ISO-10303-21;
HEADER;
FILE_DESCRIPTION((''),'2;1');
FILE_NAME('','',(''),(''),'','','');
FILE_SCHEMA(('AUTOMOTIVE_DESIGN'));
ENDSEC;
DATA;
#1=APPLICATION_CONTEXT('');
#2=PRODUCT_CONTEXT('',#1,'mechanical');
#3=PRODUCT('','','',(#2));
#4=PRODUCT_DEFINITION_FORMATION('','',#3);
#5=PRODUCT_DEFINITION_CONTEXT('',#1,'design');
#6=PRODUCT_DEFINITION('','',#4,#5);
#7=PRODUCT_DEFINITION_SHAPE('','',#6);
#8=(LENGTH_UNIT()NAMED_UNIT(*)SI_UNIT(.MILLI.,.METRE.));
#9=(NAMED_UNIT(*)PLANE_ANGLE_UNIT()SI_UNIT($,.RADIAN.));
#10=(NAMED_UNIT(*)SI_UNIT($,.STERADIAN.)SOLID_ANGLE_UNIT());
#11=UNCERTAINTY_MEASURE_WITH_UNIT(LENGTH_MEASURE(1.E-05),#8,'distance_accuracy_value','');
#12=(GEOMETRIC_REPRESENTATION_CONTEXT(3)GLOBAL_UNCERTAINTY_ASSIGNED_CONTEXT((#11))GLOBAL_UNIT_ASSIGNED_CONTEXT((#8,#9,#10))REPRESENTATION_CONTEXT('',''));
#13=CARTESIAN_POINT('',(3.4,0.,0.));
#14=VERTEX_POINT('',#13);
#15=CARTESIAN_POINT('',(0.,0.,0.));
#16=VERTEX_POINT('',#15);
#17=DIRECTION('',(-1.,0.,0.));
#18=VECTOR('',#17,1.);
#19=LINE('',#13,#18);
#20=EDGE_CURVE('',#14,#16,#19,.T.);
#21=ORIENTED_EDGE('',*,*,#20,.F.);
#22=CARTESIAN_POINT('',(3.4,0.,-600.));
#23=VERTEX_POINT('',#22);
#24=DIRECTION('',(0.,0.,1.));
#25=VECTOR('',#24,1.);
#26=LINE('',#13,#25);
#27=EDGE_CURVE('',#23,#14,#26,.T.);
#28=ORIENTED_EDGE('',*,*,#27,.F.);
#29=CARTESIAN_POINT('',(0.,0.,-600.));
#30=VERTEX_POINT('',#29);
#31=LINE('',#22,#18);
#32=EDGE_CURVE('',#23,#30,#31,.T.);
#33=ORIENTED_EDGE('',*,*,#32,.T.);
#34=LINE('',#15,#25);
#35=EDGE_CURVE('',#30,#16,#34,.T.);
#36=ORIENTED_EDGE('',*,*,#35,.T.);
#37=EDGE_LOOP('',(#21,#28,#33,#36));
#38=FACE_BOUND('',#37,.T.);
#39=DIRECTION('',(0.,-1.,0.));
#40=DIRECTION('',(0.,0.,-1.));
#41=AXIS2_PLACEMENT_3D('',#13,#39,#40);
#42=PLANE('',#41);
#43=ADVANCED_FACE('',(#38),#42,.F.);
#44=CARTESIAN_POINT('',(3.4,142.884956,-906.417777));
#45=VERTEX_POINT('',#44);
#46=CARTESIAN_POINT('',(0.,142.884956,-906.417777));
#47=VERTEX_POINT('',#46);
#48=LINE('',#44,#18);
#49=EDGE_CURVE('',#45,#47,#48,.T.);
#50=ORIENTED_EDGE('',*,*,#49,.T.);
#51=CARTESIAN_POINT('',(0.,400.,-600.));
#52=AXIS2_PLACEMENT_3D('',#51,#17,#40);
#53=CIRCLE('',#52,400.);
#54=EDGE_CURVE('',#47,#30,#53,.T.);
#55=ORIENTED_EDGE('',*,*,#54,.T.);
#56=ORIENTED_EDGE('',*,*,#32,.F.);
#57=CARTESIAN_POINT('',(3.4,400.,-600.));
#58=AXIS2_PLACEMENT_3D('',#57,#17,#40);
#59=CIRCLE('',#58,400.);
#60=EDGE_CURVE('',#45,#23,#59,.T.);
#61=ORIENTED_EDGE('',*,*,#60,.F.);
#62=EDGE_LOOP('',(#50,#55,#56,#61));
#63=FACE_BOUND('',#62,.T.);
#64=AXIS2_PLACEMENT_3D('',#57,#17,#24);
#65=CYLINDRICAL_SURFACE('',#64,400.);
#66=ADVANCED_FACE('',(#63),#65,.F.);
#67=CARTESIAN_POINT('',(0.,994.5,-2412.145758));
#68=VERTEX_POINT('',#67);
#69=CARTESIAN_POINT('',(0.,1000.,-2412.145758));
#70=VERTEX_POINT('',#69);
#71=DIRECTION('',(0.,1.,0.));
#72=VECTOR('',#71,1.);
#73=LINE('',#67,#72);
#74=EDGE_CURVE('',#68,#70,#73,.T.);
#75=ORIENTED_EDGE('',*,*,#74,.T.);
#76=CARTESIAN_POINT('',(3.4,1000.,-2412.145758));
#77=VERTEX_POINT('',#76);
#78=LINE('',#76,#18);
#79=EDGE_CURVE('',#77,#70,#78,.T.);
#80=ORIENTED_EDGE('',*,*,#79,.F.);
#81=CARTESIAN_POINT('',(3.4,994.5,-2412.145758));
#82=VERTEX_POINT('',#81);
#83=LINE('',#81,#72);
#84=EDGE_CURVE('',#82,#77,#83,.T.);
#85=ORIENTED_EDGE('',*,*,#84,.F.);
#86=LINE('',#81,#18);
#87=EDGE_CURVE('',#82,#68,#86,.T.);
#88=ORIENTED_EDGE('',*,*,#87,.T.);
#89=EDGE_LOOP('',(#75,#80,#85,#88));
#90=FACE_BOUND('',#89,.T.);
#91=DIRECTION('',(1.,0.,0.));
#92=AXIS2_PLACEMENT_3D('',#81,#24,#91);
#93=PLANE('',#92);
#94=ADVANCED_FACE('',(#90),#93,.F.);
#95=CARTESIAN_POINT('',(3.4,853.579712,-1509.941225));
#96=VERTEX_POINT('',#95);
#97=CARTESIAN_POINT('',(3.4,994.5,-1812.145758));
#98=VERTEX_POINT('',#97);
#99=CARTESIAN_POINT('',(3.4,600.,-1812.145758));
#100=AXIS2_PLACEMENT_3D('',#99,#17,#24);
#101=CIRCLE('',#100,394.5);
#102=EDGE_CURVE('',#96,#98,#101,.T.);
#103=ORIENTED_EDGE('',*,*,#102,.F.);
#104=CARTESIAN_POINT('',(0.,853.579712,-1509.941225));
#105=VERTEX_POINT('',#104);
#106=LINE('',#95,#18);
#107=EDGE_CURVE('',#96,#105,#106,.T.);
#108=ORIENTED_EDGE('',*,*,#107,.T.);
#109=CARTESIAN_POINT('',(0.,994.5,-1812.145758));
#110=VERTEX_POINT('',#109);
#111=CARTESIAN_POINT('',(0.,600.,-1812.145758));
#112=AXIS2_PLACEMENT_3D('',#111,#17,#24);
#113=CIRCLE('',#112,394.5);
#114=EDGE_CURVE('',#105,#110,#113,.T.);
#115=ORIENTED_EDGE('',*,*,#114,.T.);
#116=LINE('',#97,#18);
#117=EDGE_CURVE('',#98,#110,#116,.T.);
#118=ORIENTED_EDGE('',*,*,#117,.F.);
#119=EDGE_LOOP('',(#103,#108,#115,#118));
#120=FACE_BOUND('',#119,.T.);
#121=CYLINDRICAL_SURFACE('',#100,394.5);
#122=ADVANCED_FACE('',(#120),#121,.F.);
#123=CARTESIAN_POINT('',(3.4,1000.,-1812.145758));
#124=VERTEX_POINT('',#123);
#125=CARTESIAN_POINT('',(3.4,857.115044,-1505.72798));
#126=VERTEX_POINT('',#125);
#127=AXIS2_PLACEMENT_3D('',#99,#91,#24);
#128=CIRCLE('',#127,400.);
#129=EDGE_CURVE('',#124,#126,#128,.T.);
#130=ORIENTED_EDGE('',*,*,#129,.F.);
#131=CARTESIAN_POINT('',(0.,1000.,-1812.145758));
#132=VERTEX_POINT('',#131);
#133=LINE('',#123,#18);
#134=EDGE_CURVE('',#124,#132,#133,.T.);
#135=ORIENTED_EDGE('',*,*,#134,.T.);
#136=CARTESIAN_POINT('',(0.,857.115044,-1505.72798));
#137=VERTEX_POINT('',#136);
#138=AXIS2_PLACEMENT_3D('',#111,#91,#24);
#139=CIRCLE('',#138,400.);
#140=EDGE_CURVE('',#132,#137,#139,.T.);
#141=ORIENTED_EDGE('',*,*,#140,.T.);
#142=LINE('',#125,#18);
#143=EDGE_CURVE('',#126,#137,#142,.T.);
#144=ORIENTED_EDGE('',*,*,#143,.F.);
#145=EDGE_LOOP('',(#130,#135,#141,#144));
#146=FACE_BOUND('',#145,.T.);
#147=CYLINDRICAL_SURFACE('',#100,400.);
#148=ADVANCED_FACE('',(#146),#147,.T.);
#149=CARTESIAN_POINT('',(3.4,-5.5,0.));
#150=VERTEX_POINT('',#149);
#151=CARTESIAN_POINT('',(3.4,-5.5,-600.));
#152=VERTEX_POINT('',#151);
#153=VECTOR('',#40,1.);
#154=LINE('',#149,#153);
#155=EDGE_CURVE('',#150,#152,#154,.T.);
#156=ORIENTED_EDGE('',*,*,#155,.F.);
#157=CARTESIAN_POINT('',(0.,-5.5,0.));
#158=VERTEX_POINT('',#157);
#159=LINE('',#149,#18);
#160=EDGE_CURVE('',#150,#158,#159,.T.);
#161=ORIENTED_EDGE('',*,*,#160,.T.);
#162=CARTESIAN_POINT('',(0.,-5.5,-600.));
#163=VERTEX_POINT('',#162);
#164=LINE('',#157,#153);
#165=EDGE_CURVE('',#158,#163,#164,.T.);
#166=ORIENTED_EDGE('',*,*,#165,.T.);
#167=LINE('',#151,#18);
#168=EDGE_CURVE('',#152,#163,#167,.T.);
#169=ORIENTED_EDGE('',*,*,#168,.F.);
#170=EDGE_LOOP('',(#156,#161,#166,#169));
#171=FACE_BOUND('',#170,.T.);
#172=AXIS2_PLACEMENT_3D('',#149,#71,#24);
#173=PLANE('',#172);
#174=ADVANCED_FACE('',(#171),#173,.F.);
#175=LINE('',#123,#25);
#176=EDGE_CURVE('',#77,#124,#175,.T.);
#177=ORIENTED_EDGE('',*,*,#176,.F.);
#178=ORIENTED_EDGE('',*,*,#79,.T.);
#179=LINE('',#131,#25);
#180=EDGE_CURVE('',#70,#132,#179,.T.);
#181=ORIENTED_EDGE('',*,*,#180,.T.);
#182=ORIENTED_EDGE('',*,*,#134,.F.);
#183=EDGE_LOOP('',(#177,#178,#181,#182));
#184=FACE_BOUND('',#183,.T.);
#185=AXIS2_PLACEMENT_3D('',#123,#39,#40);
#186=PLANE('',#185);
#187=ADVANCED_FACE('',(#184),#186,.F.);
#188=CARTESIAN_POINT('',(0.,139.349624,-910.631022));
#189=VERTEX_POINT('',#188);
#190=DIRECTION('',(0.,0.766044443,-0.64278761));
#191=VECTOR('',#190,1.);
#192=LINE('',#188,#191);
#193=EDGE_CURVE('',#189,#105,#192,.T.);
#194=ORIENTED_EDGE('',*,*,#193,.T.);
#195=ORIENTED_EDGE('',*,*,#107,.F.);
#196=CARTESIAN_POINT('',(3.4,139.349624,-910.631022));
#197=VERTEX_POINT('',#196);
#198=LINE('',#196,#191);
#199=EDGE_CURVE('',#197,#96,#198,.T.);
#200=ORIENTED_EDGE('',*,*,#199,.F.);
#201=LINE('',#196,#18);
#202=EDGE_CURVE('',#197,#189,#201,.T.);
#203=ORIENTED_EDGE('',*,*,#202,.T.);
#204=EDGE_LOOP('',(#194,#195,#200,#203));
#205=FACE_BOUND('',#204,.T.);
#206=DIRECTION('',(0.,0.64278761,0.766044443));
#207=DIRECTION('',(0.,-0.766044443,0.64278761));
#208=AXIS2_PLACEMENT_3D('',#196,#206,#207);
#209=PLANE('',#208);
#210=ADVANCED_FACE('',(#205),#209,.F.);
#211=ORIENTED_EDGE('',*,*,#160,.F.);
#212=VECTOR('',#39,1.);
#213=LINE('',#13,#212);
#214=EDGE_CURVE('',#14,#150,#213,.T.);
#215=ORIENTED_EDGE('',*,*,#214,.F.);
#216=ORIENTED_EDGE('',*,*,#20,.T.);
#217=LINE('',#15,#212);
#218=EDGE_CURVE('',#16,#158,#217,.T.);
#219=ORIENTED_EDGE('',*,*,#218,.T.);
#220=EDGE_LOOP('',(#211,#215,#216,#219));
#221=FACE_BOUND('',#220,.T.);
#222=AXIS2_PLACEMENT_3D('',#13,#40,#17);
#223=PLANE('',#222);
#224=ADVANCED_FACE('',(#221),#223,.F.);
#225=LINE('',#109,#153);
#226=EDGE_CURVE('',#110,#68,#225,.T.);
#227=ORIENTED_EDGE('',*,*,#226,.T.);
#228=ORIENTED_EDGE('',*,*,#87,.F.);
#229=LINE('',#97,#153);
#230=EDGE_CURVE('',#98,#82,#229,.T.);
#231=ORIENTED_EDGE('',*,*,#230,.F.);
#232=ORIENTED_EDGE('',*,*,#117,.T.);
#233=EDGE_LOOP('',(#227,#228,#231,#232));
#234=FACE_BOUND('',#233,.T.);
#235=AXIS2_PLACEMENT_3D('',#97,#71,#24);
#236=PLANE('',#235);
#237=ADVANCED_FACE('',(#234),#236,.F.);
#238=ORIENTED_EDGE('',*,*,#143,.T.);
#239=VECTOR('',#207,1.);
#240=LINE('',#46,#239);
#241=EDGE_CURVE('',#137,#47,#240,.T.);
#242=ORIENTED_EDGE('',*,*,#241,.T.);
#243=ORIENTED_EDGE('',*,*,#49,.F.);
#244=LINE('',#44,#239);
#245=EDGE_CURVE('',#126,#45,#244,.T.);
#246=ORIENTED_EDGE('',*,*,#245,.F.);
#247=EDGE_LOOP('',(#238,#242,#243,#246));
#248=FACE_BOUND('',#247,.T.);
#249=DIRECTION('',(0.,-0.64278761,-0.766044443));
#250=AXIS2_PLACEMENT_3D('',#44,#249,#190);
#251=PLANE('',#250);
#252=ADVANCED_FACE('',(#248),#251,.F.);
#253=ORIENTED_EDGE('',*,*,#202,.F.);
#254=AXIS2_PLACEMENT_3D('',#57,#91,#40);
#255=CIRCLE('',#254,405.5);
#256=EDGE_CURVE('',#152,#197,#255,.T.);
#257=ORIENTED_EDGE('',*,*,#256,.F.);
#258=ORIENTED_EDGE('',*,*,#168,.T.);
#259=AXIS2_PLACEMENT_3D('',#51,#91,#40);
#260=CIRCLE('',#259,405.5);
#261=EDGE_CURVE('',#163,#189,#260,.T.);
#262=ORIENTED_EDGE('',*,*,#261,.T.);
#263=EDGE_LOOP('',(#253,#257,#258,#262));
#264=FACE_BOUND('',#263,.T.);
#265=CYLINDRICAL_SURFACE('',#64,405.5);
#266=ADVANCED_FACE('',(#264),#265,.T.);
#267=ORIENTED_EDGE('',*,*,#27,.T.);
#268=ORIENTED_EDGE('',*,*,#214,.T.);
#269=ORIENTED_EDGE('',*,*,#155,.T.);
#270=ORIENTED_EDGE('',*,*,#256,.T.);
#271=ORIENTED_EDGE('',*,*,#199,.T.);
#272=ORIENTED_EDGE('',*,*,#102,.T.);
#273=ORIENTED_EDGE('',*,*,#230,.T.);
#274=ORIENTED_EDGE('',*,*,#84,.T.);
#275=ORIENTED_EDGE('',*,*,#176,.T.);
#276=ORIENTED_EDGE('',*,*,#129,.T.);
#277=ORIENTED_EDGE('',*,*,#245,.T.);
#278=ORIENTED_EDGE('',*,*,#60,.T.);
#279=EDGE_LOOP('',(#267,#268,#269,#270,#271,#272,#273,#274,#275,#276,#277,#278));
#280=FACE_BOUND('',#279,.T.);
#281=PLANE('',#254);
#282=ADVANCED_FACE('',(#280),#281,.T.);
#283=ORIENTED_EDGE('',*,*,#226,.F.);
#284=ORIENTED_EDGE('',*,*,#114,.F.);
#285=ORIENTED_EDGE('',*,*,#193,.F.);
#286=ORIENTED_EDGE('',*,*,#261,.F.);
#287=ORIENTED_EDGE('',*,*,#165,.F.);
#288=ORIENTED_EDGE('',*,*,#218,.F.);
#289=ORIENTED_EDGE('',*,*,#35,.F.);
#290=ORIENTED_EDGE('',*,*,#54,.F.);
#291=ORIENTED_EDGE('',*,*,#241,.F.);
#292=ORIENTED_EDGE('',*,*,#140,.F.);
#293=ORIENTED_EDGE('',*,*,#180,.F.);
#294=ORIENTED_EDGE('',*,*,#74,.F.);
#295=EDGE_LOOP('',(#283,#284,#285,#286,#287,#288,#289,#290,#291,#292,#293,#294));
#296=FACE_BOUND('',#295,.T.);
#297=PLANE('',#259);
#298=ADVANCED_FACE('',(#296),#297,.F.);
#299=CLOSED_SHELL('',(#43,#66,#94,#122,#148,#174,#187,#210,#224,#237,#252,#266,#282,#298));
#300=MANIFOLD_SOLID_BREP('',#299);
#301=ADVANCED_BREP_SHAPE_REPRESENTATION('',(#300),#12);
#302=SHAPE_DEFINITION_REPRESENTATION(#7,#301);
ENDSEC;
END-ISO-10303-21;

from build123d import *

# Parameters (mm, degrees)
BOSS_EXTRUDE1_DEPTH = 3.4


with BuildPart() as part:
    # Sketch1 → Boss-Extrude1 (new body)
    with BuildSketch(Plane(origin=(0, 0, 0), x_dir=(0, 0, -1), z_dir=(1, 0, 0))):
        with BuildLine():
            Line((0, 0), (600, 0))
            ThreePointArc((600, 0), (769.047304696, 37.476885185), (906.417777248, 142.884956125))
            Line((906.417777248, 142.884956125), (1505.727980454, 857.115043875))
            ThreePointArc((1505.727980454, 857.115043875), (1643.098453005, 962.523114815), (1812.145757701, 1000))
            Line((1812.145757701, 1000), (2412.145757701, 1000))
            Line((2412.145757701, 1000), (2412.145757701, 994.5))
            Line((2412.145757701, 994.5), (1812.145757701, 994.5))
            ThreePointArc((1812.145757701, 994.5), (1645.422853445, 957.538421986), (1509.941224891, 853.579712021))
            Line((1509.941224891, 853.579712021), (910.631021685, 139.349624272))
            ThreePointArc((910.631021685, 139.349624272), (771.371705136, 32.492192357), (600, -5.5))
            Line((600, -5.5), (0, -5.5))
            Line((0, -5.5), (0, 0))
        make_face()
    extrude(amount=BOSS_EXTRUDE1_DEPTH)


solid = part.part
